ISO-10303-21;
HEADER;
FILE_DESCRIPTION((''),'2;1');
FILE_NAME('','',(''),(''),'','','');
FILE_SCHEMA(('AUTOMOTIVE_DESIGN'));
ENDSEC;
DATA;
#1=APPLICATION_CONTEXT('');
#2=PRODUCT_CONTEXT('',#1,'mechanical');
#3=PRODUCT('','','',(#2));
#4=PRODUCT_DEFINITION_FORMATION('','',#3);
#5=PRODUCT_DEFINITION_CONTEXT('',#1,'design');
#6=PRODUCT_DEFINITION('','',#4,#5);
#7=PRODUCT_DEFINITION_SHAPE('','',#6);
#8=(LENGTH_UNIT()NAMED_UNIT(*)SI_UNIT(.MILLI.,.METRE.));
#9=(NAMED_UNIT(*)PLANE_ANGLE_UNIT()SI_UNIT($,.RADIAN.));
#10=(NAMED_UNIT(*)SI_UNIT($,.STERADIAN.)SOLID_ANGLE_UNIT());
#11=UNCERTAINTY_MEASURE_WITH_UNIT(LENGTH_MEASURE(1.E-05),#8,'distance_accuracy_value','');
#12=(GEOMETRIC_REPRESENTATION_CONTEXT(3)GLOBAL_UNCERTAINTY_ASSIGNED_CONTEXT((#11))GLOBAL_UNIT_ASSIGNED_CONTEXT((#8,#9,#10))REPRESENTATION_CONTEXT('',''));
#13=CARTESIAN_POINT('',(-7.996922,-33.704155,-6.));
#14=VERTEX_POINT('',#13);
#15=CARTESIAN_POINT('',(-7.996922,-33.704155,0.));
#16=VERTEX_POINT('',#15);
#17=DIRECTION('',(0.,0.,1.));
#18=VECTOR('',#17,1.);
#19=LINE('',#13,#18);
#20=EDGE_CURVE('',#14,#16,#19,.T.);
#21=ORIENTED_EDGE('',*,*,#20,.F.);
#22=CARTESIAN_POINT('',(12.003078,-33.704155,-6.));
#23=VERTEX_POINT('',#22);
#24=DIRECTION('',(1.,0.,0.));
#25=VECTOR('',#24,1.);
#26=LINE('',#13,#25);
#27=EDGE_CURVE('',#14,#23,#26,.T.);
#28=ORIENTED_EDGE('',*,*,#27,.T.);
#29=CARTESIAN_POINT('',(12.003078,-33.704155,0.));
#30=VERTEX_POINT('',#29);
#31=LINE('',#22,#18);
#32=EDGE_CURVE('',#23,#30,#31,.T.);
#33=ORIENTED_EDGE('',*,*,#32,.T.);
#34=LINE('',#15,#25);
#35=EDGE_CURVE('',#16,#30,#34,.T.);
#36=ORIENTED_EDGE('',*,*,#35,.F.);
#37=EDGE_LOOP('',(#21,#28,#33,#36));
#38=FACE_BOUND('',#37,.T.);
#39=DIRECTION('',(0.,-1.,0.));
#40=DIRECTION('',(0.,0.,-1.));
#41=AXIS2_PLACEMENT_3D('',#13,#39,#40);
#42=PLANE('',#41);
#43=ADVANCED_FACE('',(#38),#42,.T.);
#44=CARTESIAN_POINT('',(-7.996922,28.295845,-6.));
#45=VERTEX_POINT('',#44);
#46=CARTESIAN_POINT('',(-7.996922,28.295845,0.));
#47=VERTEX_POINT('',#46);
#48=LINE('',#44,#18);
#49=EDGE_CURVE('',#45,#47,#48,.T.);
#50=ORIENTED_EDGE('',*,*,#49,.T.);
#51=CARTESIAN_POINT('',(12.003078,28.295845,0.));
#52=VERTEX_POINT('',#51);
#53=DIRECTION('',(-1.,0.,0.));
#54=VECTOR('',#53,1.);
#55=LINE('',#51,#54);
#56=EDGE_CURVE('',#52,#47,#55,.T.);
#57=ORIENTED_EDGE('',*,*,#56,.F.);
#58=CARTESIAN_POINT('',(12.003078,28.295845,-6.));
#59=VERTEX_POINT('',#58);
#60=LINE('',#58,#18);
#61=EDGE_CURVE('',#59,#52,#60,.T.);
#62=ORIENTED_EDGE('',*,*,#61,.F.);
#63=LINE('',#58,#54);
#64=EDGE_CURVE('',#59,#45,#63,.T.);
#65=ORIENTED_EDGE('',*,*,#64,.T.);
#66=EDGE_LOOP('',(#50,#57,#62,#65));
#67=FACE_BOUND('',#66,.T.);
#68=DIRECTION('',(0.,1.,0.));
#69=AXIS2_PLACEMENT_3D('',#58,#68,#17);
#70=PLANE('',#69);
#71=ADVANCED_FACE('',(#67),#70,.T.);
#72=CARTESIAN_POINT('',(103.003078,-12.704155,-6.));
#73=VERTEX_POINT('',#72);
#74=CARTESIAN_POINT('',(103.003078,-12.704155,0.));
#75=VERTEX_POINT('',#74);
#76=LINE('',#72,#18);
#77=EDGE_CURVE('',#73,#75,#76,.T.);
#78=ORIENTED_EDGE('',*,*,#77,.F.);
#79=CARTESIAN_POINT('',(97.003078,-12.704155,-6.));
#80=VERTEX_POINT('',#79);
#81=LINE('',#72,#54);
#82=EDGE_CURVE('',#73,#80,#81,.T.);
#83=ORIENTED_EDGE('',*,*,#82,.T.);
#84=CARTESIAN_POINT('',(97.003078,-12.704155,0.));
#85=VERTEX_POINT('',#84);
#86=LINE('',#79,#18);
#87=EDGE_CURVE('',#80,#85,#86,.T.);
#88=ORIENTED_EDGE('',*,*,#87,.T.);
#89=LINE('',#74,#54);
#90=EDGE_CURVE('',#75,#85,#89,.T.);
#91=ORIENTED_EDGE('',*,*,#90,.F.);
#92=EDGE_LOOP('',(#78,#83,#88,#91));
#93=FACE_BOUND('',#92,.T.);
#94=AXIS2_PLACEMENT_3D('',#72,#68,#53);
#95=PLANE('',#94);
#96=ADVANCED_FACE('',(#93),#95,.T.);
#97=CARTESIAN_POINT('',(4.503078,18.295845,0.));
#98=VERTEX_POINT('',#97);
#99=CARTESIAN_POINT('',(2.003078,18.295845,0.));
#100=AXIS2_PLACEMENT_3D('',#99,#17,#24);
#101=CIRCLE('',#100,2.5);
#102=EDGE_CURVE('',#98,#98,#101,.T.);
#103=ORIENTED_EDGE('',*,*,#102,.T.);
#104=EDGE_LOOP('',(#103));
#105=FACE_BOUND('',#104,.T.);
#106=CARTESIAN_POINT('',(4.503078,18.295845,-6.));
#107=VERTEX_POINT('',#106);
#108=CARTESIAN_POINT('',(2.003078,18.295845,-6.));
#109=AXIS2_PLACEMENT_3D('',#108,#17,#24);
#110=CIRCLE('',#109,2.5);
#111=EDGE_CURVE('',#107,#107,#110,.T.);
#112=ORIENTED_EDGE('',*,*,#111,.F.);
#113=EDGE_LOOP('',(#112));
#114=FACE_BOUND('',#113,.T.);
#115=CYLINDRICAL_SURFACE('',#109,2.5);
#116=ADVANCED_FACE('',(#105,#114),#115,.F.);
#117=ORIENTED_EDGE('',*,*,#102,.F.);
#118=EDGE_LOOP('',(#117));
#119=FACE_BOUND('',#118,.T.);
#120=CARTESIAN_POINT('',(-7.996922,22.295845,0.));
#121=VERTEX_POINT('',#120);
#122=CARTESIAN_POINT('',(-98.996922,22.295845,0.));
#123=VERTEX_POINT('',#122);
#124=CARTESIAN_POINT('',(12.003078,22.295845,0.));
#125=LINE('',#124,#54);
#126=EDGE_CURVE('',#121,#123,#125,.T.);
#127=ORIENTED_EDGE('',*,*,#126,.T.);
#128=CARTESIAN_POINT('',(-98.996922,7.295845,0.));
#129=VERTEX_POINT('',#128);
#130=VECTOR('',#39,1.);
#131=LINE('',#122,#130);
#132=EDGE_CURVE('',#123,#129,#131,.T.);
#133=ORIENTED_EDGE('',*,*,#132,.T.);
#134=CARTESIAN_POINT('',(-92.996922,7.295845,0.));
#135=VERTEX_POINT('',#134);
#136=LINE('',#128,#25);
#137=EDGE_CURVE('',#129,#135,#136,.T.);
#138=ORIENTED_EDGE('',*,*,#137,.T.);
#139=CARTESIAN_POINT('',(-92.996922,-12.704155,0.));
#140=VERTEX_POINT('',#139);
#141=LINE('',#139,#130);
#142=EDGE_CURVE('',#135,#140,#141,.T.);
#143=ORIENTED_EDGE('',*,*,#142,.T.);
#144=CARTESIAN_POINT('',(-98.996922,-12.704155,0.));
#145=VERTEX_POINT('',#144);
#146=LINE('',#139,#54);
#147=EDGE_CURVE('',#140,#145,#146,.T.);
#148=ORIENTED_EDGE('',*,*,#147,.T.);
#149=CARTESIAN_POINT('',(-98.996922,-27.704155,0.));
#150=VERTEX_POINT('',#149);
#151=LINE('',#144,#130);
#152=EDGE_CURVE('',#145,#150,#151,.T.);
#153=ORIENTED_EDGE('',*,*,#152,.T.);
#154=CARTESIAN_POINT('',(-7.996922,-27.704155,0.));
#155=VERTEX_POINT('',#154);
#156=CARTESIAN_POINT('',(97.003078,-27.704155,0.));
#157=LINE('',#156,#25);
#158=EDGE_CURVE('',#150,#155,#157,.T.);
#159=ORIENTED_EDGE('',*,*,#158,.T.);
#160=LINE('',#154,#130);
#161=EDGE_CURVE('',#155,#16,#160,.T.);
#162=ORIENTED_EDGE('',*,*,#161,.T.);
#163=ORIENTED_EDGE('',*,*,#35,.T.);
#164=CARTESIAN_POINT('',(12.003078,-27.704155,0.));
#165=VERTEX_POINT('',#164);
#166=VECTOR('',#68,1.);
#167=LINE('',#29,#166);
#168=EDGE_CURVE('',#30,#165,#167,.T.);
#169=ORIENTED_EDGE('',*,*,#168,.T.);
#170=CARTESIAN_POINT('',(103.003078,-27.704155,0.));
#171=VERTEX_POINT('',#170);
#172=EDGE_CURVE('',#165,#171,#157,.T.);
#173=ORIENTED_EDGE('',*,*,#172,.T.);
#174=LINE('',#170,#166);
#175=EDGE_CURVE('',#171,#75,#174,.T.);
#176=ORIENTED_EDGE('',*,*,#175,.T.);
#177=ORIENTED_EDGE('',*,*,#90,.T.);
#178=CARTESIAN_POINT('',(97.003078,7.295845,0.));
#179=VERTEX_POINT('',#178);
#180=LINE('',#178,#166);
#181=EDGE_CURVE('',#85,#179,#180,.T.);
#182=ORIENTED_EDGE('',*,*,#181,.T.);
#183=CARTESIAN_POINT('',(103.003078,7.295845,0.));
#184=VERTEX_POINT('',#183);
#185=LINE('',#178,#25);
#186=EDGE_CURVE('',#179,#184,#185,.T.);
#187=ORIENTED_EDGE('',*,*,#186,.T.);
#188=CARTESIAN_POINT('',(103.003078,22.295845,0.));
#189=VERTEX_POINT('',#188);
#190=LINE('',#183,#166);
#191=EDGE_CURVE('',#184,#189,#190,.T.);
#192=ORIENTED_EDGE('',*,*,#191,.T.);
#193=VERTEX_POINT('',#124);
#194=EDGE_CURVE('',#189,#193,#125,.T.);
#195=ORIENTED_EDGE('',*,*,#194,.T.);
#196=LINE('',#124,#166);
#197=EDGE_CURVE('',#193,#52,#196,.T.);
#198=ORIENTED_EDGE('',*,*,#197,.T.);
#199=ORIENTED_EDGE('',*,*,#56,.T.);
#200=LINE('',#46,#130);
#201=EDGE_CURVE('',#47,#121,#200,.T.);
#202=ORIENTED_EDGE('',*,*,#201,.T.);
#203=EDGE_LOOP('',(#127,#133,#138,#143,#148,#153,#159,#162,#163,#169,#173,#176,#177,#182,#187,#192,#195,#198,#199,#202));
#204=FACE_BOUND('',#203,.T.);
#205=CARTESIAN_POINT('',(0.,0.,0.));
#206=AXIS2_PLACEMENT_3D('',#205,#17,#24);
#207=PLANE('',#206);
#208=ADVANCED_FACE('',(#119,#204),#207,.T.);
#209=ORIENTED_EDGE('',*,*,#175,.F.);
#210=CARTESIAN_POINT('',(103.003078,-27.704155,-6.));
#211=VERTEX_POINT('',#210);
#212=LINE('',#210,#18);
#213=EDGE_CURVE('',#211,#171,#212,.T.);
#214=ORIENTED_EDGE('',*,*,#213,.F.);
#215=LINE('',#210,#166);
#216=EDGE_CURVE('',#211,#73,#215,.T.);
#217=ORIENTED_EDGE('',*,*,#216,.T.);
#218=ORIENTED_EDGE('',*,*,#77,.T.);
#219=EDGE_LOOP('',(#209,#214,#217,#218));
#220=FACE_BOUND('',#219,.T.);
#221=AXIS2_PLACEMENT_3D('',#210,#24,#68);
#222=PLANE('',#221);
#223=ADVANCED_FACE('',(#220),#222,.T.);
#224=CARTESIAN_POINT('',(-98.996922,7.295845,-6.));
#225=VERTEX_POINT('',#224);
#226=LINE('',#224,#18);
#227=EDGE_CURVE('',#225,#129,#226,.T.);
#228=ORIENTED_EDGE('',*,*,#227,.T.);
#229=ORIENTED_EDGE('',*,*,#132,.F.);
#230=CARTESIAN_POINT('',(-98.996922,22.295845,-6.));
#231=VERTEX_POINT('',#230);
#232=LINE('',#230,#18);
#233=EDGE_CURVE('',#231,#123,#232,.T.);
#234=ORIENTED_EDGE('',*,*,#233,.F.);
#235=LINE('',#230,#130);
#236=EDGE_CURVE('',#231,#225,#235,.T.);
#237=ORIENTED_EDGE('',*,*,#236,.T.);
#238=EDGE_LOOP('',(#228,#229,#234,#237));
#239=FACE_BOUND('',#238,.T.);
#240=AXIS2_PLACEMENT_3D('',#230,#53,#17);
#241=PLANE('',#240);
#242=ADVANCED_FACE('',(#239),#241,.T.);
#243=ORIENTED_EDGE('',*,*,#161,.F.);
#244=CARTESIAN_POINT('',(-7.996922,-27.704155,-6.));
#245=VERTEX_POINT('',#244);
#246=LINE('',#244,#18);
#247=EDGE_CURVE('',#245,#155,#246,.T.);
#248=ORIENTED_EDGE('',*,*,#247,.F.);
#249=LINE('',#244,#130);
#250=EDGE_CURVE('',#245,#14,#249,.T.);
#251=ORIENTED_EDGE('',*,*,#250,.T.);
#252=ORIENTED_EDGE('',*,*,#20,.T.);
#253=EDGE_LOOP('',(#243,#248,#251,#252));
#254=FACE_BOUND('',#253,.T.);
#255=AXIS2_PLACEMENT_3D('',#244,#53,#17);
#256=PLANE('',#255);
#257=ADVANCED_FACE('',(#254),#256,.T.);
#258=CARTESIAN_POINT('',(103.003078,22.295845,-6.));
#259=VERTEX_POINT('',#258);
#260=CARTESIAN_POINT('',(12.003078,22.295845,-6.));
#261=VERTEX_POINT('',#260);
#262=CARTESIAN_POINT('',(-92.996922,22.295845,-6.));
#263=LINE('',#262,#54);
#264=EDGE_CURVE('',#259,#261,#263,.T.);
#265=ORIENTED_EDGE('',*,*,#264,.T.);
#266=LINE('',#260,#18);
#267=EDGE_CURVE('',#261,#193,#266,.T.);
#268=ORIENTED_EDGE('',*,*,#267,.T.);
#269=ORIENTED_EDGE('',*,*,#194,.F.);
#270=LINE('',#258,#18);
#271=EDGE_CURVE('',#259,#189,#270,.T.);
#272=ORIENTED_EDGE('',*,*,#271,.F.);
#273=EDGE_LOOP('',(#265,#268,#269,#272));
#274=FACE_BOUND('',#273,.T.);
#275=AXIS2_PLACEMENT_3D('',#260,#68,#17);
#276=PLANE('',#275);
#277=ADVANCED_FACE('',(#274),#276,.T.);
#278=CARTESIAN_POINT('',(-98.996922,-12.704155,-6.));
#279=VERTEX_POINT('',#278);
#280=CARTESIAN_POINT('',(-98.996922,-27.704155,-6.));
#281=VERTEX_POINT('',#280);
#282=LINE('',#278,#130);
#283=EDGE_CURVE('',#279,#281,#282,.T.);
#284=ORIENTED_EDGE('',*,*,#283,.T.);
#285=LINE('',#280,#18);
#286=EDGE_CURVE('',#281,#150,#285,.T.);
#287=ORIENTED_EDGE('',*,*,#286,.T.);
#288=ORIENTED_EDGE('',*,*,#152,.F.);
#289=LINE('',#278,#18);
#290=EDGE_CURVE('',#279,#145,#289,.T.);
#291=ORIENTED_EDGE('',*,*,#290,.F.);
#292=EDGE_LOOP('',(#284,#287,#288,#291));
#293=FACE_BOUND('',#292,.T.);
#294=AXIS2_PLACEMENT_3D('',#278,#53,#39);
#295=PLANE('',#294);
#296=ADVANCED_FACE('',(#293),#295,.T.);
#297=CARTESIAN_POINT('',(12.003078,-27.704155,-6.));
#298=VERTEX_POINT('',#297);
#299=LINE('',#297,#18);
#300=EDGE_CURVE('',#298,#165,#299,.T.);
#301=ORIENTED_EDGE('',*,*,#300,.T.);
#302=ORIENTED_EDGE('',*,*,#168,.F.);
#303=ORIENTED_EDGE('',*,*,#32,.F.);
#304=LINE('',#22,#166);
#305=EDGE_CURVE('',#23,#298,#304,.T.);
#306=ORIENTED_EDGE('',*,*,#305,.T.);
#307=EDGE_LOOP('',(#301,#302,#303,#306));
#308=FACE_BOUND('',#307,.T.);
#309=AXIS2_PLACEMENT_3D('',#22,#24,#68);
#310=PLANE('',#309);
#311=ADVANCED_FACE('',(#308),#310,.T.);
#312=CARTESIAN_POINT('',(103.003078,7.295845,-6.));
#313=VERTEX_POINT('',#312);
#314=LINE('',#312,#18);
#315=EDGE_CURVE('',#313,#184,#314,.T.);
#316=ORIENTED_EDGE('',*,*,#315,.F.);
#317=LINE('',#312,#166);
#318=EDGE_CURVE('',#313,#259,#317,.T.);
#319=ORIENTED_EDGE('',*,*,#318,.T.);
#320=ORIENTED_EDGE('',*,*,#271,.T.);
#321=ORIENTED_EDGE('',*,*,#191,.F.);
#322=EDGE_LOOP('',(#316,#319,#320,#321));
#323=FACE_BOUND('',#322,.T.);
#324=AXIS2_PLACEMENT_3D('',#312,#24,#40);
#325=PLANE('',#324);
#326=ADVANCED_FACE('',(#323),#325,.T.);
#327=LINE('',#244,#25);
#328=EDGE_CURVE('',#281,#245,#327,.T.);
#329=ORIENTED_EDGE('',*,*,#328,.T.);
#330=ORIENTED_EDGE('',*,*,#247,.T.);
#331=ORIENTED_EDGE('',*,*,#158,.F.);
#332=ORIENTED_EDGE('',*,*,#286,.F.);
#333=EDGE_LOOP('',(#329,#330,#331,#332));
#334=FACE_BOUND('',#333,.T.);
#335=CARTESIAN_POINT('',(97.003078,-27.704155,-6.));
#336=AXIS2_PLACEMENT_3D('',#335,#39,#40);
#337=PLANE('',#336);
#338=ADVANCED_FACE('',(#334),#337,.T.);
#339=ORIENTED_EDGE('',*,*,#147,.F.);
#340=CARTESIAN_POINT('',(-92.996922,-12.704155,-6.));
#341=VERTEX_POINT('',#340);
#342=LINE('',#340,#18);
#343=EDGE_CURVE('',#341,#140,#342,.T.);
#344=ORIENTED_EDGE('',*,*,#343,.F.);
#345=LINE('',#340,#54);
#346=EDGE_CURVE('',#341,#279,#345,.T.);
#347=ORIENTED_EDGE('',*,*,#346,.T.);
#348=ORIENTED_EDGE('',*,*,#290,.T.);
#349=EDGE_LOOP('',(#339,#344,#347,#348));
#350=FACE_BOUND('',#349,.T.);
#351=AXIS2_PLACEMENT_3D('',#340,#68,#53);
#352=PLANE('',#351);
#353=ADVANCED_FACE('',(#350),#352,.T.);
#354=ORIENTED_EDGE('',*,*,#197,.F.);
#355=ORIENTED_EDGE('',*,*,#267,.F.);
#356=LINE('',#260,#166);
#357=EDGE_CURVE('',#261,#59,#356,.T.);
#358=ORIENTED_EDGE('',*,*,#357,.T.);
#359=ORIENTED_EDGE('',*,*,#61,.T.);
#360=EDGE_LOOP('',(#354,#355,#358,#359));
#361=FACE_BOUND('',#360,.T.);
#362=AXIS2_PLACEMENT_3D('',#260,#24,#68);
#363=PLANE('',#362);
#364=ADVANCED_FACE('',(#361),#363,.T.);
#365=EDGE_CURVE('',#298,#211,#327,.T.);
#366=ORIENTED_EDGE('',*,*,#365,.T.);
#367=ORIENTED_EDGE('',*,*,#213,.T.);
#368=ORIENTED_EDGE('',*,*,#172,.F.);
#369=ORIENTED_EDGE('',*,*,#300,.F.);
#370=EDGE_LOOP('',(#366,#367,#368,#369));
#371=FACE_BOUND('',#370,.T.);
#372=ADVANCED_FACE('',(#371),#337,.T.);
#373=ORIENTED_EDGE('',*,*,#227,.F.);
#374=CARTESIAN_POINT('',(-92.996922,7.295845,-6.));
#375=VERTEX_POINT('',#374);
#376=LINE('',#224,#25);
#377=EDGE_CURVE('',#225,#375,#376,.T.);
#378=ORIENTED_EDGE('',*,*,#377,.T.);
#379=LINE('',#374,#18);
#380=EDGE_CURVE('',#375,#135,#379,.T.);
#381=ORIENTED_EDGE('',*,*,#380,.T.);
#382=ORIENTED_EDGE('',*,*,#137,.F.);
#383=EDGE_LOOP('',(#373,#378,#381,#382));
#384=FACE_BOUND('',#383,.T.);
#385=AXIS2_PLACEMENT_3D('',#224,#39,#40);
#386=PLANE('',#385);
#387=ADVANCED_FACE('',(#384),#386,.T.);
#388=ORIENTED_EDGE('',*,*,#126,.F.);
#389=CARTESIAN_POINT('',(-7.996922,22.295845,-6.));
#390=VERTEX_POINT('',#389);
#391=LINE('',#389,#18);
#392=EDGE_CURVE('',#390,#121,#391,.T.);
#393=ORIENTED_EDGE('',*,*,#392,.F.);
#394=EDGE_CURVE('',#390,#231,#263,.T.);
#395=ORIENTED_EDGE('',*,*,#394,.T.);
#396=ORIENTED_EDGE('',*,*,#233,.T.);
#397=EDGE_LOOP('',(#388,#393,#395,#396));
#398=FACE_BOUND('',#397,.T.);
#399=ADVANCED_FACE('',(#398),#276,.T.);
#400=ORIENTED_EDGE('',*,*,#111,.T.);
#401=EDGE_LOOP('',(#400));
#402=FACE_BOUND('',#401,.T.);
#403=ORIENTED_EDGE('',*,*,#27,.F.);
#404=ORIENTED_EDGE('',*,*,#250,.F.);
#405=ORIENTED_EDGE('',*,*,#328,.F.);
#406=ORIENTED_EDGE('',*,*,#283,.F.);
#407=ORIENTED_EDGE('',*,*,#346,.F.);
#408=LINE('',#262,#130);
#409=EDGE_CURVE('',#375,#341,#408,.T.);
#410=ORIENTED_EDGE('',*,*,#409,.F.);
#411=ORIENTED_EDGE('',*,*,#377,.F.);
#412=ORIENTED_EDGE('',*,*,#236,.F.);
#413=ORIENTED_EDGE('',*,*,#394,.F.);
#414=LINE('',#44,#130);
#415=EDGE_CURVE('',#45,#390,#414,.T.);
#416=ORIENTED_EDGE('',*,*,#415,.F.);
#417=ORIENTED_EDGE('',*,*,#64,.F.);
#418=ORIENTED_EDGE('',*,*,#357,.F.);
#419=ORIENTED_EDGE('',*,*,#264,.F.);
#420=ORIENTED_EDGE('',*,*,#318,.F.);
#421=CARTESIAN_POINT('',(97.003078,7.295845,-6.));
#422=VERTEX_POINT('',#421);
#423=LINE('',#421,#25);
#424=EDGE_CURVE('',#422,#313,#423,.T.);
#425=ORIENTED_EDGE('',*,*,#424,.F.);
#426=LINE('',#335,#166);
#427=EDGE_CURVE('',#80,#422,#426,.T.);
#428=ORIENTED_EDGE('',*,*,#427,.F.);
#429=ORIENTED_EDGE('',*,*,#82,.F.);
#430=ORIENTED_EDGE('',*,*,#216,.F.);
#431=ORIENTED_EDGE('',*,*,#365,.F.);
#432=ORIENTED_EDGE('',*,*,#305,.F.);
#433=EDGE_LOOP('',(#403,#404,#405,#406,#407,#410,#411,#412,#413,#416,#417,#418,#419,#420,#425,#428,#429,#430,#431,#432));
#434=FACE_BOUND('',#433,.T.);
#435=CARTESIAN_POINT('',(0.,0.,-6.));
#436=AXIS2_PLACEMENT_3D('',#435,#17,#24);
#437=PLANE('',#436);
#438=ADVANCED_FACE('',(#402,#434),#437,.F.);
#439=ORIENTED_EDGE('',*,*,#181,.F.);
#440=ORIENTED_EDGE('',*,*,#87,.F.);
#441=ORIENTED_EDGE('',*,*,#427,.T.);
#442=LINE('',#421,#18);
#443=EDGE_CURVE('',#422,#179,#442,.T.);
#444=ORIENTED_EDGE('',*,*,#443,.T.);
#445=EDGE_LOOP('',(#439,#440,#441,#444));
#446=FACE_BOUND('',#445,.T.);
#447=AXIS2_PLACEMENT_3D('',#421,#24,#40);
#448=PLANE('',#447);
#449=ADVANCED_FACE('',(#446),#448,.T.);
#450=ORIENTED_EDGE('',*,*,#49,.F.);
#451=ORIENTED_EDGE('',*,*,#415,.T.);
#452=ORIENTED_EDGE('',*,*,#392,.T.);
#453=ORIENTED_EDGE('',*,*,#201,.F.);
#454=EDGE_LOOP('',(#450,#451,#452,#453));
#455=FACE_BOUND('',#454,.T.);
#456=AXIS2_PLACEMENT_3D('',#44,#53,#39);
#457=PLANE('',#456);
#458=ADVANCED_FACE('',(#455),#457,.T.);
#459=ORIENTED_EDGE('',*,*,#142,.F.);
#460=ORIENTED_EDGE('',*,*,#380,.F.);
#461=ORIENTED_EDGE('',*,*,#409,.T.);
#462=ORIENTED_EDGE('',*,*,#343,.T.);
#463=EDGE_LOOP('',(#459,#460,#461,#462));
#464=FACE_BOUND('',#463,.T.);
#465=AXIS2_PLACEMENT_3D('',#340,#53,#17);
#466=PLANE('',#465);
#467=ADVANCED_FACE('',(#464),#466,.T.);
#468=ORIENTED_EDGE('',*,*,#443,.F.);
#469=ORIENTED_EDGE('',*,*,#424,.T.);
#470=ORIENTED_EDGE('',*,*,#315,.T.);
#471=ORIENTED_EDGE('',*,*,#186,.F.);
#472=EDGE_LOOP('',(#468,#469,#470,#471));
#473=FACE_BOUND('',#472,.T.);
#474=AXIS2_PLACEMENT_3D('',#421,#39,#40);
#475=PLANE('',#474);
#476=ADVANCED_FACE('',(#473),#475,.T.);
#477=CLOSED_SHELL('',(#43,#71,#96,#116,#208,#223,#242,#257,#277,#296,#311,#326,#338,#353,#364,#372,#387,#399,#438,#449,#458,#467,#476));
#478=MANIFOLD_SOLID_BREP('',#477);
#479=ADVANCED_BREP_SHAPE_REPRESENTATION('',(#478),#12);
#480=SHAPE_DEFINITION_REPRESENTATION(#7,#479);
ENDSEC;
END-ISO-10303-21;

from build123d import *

# Parameters (mm, degrees)
BOSS_EXTRU_2_DEPTH      = 6
ESQUISSE7_W             = 20
ESQUISSE7_H             = 6
ESQUISSE7_W_2           = 6
ESQUISSE7_H_2           = 15
BOSS_EXTRU_3_DEPTH      = 6
ESQUISSE8_R             = 2.5
ENL_V_MAT_EXTRU_2_DEPTH = 6


with BuildPart() as part:
    # Esquisse6 → Boss.-Extru.2 (new body)
    with BuildSketch(Plane.XY):
        Polygon((12.003078089, 22.295844579), (97.003078089, 22.295844579), (97.003078089, 7.295844579), (97.003078089, -12.704155421), (97.003078089, -27.704155421), (12.003078089, -27.704155421), (-7.996921911, -27.704155421), (-92.996921911, -27.704155421), (-92.996921911, -12.704155421), (-92.996921911, 7.295844579), (-92.996921911, 22.295844579), (-7.996921911, 22.295844579), align=None)
    extrude(amount=-BOSS_EXTRU_2_DEPTH)

    # Esquisse7 → Boss.-Extru.3 (add)
    with BuildSketch(Plane.XY):
        with Locations((2.003078089, 25.295844579)):
            Rectangle(ESQUISSE7_W, ESQUISSE7_H)
        with Locations((100.003078089, 14.795844579)):
            Rectangle(ESQUISSE7_W_2, ESQUISSE7_H_2)
        with Locations((100.003078089, -20.204155421)):
            Rectangle(ESQUISSE7_W_2, ESQUISSE7_H_2)
        with Locations((2.003078089, -30.704155421)):
            Rectangle(ESQUISSE7_W, ESQUISSE7_H)
        with Locations((-95.996921911, -20.204155421)):
            Rectangle(ESQUISSE7_W_2, ESQUISSE7_H_2)
        with Locations((-95.996921911, 14.795844579)):
            Rectangle(ESQUISSE7_W_2, ESQUISSE7_H_2)
    extrude(amount=-BOSS_EXTRU_3_DEPTH)

    # Esquisse8 → Enlèv. mat.-Extru.2 (cut)
    with BuildSketch(Plane.XY):
        with Locations((2.003078089, 18.295844579)):
            Circle(ESQUISSE8_R)
    extrude(amount=-ENL_V_MAT_EXTRU_2_DEPTH, mode=Mode.SUBTRACT)


solid = part.part
